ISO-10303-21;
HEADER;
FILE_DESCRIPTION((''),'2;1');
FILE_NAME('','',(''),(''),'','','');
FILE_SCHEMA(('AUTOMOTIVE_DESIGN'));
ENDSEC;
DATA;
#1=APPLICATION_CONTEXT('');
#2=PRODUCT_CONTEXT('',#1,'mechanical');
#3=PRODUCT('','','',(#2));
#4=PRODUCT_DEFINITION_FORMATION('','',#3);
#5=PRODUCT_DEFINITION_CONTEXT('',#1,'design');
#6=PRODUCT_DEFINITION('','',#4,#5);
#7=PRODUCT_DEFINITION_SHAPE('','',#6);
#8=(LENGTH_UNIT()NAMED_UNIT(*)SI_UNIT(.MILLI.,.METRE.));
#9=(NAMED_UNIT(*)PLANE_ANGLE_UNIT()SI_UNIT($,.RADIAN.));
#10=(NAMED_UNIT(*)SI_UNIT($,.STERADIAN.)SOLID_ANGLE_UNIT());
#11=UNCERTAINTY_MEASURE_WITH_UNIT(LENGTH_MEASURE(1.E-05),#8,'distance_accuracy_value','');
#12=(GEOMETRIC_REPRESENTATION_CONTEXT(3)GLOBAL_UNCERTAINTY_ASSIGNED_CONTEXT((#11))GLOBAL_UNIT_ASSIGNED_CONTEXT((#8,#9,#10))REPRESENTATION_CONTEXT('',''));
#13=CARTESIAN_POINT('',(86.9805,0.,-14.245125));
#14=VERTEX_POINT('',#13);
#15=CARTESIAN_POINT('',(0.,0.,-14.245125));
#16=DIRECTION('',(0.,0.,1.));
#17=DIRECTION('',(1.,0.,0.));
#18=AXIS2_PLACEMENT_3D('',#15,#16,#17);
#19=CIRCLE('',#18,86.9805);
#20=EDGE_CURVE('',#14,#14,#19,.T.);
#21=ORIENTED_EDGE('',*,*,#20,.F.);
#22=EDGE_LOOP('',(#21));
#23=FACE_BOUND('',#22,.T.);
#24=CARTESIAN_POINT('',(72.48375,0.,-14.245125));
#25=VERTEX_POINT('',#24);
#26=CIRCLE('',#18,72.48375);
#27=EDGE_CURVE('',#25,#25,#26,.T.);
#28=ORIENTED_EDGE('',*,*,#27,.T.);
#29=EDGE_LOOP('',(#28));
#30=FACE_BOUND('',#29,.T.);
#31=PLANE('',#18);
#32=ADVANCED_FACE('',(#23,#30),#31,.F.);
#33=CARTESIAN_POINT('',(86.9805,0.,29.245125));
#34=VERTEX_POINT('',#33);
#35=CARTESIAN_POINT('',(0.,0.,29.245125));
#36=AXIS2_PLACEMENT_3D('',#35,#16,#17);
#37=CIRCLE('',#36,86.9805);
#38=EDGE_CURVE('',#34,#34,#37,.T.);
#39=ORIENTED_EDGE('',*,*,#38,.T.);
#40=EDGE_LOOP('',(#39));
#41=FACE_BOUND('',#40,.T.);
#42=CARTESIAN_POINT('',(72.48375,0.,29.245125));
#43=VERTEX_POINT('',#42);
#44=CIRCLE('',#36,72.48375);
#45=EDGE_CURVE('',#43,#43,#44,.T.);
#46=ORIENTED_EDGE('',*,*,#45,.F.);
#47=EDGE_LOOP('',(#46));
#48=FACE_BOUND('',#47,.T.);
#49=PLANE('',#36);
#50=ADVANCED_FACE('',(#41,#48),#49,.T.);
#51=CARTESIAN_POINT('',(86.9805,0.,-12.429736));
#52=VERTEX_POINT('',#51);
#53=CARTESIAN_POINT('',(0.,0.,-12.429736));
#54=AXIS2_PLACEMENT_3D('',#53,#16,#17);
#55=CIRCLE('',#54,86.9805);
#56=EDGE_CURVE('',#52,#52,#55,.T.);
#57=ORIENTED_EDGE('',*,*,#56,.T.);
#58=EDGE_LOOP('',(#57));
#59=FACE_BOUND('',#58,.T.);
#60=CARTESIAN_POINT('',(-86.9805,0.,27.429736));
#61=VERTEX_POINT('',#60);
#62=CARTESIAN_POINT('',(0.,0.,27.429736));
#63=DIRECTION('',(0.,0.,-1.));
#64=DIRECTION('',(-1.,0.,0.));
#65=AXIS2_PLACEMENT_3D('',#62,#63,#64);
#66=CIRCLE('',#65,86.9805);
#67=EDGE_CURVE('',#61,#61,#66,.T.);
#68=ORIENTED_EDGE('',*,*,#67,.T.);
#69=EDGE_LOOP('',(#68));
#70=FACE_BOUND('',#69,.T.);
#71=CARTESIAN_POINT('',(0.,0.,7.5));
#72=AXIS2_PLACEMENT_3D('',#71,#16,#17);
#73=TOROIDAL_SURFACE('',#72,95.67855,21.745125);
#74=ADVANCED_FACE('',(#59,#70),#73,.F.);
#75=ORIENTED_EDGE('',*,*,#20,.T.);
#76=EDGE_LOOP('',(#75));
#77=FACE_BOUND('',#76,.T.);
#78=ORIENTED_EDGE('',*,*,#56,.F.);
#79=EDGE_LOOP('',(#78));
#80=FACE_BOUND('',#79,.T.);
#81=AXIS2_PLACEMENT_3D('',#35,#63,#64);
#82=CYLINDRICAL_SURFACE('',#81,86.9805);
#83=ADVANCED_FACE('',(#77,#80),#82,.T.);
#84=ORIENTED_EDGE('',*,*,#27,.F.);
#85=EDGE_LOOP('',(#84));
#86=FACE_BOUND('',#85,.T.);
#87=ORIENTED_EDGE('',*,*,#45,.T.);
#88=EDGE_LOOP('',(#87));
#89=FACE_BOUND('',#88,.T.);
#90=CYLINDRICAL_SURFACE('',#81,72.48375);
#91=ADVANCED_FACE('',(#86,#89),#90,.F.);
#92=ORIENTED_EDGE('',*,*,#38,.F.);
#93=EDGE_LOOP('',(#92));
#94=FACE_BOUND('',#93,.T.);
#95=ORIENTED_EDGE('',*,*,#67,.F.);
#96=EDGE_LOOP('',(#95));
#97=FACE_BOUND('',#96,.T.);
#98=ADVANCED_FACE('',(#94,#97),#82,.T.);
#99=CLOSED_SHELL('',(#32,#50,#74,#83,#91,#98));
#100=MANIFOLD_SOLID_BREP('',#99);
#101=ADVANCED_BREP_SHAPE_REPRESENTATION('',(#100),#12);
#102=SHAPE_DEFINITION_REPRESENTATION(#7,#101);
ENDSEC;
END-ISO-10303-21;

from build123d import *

# Parameters (mm, degrees)
SKETCH1_R           = 30
SKETCH1_R_2         = 25
BOSS_EXTRUDE1_DEPTH = 15
SKETCH2_R           = 7.5
SCALE1_SCALE        = 1.9329
SCALE2_SCALE        = 1.5


with BuildPart() as part:
    # Sketch1 → Boss-Extrude1 (new body)
    with BuildSketch(Plane.XY):
        Circle(SKETCH1_R)
        Circle(SKETCH1_R_2, mode=Mode.SUBTRACT)
    extrude(amount=BOSS_EXTRUDE1_DEPTH)

    # Sketch2 → Cut-Revolve1 (revolve, cut)
    with BuildSketch(Plane(origin=(0, 0, 0), x_dir=(0, 0, -1), z_dir=(1, 0, 0)), mode=Mode.PRIVATE) as cut_revolve1_sk:
        with Locations((-7.5, 33)):
            Circle(SKETCH2_R)
    revolve(cut_revolve1_sk.sketch.rotate(Axis((0, 0, 25.257665056), (0, 0, -1)), 90), axis=Axis((0, 0, 25.257665056), (0, 0, -1)), mode=Mode.SUBTRACT)


with BuildPart() as part_1:
    # Scale1: scaled about (0, 0, 7.5)
    add(part.part.scale(SCALE1_SCALE).moved(Location((0, 0, -6.99675))))


with BuildPart() as part_2:
    # Scale2: scaled about (0, 0, 7.5)
    add(part_1.part.scale(SCALE2_SCALE).moved(Location((0, 0, -3.75))))


solid = part_2.part
